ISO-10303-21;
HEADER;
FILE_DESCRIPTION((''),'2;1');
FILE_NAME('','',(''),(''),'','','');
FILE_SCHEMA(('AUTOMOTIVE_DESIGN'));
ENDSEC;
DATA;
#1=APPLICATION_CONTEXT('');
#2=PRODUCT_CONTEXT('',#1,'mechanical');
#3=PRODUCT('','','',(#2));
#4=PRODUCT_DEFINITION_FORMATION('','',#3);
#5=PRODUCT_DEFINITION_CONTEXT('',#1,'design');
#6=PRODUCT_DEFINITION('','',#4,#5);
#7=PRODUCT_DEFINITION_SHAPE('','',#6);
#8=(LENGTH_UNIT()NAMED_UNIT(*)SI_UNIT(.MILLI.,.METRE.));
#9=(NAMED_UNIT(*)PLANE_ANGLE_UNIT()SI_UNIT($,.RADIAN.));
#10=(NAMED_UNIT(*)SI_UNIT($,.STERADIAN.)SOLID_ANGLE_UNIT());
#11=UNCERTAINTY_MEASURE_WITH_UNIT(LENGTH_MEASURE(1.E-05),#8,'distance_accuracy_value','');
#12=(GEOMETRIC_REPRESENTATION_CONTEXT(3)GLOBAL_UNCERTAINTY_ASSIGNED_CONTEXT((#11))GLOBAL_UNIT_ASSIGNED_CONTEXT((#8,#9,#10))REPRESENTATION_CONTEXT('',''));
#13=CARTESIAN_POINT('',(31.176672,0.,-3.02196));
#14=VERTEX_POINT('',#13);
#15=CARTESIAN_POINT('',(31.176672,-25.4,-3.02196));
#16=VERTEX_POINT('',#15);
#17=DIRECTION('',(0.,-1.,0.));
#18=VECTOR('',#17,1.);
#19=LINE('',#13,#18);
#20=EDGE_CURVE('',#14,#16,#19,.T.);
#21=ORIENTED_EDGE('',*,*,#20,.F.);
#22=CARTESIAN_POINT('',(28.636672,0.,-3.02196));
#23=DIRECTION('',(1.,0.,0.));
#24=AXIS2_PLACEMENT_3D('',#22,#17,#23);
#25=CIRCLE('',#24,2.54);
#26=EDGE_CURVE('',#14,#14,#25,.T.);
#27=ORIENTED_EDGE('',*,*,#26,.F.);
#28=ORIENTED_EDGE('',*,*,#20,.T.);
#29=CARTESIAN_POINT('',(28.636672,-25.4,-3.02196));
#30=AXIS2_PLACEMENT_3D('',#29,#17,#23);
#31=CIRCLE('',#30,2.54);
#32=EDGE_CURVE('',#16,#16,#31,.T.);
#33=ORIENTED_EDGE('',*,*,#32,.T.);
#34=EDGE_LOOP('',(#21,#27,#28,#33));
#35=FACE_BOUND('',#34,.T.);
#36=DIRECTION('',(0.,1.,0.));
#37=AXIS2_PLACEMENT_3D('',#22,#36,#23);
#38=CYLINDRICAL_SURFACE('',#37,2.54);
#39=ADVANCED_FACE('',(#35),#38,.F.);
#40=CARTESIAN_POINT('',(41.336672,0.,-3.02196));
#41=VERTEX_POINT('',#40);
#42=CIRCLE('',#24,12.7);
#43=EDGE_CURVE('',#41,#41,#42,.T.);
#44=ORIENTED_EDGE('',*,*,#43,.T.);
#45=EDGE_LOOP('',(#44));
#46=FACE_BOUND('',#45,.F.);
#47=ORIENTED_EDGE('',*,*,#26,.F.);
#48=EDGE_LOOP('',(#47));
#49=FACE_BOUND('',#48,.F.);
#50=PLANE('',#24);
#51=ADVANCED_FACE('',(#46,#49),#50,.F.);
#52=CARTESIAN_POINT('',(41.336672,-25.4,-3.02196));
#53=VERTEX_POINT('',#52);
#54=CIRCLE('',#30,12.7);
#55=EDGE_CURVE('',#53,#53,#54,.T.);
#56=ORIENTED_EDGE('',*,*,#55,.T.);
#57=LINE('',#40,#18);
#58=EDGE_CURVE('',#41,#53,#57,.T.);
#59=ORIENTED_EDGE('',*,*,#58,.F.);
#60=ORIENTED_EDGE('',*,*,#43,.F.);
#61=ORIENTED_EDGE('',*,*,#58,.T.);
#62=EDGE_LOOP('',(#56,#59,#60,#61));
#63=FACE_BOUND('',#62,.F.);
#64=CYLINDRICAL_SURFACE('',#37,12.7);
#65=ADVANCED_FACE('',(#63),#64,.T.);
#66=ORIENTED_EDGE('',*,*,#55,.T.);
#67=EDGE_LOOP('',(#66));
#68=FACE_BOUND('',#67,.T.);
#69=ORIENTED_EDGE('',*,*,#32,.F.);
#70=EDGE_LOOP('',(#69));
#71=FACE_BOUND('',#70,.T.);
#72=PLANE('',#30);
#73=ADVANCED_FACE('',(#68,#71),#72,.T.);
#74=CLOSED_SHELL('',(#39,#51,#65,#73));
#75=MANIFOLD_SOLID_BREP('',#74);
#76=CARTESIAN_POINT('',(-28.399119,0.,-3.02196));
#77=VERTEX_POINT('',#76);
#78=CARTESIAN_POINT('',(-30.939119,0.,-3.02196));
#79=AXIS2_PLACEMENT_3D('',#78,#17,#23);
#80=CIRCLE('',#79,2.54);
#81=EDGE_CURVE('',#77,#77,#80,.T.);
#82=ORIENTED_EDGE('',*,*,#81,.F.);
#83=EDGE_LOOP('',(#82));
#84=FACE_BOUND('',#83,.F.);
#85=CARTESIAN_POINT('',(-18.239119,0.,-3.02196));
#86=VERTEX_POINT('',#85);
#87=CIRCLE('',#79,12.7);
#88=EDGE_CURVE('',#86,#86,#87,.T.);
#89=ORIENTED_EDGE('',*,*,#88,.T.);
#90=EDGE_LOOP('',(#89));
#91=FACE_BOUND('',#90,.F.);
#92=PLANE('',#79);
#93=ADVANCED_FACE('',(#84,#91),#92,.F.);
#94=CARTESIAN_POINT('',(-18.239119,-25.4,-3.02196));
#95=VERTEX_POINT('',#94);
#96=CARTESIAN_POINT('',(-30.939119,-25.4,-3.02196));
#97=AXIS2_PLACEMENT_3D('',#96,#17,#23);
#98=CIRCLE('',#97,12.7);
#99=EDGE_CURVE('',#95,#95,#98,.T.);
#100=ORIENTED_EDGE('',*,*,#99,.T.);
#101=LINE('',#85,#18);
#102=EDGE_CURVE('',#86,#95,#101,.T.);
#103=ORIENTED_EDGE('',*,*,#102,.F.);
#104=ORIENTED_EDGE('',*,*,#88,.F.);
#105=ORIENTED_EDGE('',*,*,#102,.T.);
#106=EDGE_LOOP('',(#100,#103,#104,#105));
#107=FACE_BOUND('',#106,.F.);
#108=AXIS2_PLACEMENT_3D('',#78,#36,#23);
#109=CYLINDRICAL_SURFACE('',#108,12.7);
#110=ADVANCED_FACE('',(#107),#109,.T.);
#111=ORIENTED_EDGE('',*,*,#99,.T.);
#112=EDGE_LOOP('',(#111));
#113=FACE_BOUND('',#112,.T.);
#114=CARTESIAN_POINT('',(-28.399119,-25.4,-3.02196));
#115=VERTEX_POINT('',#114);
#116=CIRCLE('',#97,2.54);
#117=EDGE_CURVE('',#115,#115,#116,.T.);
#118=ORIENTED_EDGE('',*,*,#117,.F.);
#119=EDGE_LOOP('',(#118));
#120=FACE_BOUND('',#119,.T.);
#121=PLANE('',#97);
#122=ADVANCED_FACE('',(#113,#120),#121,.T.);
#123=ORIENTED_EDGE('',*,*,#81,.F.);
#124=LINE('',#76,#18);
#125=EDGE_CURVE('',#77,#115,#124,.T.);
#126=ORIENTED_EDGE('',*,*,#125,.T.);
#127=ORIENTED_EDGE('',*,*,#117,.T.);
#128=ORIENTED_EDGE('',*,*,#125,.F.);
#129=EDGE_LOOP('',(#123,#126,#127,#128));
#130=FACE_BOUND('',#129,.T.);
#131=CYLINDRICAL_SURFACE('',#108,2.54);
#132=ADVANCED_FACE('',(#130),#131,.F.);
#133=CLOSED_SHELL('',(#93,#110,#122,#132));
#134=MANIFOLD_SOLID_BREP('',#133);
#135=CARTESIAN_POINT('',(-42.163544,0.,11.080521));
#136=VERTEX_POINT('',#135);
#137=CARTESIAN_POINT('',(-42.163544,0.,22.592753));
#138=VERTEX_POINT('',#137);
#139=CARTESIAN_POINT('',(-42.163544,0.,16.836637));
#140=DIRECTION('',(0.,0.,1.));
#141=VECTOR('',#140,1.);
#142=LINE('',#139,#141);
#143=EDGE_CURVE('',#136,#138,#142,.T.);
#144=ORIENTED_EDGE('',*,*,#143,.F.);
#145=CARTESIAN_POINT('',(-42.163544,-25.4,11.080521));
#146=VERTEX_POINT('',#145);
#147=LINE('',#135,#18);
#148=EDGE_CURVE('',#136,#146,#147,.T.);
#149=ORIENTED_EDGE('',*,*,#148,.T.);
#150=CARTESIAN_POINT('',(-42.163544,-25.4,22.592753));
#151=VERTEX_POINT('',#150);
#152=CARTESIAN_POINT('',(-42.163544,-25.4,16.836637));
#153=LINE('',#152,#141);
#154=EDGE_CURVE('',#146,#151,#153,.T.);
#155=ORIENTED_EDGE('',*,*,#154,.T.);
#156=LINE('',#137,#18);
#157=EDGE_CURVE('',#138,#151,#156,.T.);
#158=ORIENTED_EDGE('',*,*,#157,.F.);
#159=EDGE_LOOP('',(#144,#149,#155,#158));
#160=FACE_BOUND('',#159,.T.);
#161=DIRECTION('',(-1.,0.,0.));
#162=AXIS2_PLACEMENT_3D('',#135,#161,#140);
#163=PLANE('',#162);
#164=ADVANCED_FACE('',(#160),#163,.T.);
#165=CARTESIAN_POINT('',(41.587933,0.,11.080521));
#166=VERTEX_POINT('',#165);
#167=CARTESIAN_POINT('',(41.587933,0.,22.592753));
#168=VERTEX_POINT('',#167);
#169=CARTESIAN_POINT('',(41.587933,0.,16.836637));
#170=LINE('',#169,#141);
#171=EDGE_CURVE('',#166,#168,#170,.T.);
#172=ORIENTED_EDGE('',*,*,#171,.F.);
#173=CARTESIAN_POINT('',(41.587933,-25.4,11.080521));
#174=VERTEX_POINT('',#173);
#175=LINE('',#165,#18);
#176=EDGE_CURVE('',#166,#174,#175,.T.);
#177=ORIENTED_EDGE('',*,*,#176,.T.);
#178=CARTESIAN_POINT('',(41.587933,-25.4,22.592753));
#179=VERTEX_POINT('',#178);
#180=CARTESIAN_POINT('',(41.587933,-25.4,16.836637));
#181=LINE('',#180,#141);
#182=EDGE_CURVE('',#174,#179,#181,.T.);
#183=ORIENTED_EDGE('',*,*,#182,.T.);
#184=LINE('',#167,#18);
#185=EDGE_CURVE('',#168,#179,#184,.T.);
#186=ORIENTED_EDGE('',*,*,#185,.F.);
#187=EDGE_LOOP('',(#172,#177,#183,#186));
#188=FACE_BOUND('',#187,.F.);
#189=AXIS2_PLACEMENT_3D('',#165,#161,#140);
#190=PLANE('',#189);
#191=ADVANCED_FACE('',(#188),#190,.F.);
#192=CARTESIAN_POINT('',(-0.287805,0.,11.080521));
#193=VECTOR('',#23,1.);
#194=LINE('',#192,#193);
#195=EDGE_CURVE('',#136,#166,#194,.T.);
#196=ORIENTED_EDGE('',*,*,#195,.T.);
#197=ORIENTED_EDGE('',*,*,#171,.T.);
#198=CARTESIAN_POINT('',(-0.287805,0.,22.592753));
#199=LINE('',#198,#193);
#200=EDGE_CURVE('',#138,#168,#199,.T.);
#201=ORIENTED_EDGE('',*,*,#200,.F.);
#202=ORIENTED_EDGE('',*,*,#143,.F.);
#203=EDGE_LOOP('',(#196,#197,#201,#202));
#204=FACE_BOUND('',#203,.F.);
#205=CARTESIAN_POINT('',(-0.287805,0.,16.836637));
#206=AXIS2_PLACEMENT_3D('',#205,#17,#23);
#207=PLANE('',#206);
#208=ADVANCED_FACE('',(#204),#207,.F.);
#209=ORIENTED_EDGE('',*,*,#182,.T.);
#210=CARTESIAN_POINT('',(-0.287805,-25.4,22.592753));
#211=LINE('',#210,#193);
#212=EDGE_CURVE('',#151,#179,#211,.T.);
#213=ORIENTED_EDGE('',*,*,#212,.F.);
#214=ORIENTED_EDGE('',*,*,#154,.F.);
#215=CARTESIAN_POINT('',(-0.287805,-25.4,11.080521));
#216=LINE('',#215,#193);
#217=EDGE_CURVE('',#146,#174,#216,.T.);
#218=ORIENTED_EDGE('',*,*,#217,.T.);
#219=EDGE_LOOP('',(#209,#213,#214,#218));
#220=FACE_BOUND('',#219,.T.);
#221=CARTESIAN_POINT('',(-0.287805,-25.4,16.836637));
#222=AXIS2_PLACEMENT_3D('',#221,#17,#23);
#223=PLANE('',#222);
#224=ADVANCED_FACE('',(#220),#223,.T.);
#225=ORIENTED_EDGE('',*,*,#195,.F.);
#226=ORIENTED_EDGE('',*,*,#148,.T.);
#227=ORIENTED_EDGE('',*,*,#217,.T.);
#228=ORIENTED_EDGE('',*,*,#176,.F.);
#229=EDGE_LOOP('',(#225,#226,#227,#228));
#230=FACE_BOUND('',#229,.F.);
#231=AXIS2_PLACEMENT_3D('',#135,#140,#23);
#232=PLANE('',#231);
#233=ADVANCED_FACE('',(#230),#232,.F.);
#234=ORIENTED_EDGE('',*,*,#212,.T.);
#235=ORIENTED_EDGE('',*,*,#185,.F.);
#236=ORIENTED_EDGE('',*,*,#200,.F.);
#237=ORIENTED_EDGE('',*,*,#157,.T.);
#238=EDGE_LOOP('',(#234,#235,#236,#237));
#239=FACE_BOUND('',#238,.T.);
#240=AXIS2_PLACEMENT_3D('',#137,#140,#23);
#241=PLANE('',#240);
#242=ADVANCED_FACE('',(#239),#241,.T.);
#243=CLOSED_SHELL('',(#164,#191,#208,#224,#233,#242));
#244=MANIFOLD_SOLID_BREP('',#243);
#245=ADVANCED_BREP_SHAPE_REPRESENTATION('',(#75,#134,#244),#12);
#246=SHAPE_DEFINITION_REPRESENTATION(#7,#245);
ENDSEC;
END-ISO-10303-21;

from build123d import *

# Parameters (mm, degrees)
F0_W     = 83.751477
F0_H     = 11.512232
F0_R     = 12.7
F0_R_2   = 2.54
F1_DEPTH = 25.4


with BuildPart() as f1:
    # F0 (on Front) → F1 (new body)
    with BuildSketch(Plane.XZ):
        with Locations((-0.287805, 16.836637)):
            Rectangle(F0_W, F0_H)
        with Locations((-30.939119, -3.02196)):
            Circle(F0_R)
        with Locations((-30.939119, -3.02196)):
            Circle(F0_R_2, mode=Mode.SUBTRACT)
        with Locations((28.636672, -3.02196)):
            Circle(F0_R)
        with Locations((28.636672, -3.02196)):
            Circle(F0_R_2, mode=Mode.SUBTRACT)
    extrude(amount=F1_DEPTH)


solid = f1.part
